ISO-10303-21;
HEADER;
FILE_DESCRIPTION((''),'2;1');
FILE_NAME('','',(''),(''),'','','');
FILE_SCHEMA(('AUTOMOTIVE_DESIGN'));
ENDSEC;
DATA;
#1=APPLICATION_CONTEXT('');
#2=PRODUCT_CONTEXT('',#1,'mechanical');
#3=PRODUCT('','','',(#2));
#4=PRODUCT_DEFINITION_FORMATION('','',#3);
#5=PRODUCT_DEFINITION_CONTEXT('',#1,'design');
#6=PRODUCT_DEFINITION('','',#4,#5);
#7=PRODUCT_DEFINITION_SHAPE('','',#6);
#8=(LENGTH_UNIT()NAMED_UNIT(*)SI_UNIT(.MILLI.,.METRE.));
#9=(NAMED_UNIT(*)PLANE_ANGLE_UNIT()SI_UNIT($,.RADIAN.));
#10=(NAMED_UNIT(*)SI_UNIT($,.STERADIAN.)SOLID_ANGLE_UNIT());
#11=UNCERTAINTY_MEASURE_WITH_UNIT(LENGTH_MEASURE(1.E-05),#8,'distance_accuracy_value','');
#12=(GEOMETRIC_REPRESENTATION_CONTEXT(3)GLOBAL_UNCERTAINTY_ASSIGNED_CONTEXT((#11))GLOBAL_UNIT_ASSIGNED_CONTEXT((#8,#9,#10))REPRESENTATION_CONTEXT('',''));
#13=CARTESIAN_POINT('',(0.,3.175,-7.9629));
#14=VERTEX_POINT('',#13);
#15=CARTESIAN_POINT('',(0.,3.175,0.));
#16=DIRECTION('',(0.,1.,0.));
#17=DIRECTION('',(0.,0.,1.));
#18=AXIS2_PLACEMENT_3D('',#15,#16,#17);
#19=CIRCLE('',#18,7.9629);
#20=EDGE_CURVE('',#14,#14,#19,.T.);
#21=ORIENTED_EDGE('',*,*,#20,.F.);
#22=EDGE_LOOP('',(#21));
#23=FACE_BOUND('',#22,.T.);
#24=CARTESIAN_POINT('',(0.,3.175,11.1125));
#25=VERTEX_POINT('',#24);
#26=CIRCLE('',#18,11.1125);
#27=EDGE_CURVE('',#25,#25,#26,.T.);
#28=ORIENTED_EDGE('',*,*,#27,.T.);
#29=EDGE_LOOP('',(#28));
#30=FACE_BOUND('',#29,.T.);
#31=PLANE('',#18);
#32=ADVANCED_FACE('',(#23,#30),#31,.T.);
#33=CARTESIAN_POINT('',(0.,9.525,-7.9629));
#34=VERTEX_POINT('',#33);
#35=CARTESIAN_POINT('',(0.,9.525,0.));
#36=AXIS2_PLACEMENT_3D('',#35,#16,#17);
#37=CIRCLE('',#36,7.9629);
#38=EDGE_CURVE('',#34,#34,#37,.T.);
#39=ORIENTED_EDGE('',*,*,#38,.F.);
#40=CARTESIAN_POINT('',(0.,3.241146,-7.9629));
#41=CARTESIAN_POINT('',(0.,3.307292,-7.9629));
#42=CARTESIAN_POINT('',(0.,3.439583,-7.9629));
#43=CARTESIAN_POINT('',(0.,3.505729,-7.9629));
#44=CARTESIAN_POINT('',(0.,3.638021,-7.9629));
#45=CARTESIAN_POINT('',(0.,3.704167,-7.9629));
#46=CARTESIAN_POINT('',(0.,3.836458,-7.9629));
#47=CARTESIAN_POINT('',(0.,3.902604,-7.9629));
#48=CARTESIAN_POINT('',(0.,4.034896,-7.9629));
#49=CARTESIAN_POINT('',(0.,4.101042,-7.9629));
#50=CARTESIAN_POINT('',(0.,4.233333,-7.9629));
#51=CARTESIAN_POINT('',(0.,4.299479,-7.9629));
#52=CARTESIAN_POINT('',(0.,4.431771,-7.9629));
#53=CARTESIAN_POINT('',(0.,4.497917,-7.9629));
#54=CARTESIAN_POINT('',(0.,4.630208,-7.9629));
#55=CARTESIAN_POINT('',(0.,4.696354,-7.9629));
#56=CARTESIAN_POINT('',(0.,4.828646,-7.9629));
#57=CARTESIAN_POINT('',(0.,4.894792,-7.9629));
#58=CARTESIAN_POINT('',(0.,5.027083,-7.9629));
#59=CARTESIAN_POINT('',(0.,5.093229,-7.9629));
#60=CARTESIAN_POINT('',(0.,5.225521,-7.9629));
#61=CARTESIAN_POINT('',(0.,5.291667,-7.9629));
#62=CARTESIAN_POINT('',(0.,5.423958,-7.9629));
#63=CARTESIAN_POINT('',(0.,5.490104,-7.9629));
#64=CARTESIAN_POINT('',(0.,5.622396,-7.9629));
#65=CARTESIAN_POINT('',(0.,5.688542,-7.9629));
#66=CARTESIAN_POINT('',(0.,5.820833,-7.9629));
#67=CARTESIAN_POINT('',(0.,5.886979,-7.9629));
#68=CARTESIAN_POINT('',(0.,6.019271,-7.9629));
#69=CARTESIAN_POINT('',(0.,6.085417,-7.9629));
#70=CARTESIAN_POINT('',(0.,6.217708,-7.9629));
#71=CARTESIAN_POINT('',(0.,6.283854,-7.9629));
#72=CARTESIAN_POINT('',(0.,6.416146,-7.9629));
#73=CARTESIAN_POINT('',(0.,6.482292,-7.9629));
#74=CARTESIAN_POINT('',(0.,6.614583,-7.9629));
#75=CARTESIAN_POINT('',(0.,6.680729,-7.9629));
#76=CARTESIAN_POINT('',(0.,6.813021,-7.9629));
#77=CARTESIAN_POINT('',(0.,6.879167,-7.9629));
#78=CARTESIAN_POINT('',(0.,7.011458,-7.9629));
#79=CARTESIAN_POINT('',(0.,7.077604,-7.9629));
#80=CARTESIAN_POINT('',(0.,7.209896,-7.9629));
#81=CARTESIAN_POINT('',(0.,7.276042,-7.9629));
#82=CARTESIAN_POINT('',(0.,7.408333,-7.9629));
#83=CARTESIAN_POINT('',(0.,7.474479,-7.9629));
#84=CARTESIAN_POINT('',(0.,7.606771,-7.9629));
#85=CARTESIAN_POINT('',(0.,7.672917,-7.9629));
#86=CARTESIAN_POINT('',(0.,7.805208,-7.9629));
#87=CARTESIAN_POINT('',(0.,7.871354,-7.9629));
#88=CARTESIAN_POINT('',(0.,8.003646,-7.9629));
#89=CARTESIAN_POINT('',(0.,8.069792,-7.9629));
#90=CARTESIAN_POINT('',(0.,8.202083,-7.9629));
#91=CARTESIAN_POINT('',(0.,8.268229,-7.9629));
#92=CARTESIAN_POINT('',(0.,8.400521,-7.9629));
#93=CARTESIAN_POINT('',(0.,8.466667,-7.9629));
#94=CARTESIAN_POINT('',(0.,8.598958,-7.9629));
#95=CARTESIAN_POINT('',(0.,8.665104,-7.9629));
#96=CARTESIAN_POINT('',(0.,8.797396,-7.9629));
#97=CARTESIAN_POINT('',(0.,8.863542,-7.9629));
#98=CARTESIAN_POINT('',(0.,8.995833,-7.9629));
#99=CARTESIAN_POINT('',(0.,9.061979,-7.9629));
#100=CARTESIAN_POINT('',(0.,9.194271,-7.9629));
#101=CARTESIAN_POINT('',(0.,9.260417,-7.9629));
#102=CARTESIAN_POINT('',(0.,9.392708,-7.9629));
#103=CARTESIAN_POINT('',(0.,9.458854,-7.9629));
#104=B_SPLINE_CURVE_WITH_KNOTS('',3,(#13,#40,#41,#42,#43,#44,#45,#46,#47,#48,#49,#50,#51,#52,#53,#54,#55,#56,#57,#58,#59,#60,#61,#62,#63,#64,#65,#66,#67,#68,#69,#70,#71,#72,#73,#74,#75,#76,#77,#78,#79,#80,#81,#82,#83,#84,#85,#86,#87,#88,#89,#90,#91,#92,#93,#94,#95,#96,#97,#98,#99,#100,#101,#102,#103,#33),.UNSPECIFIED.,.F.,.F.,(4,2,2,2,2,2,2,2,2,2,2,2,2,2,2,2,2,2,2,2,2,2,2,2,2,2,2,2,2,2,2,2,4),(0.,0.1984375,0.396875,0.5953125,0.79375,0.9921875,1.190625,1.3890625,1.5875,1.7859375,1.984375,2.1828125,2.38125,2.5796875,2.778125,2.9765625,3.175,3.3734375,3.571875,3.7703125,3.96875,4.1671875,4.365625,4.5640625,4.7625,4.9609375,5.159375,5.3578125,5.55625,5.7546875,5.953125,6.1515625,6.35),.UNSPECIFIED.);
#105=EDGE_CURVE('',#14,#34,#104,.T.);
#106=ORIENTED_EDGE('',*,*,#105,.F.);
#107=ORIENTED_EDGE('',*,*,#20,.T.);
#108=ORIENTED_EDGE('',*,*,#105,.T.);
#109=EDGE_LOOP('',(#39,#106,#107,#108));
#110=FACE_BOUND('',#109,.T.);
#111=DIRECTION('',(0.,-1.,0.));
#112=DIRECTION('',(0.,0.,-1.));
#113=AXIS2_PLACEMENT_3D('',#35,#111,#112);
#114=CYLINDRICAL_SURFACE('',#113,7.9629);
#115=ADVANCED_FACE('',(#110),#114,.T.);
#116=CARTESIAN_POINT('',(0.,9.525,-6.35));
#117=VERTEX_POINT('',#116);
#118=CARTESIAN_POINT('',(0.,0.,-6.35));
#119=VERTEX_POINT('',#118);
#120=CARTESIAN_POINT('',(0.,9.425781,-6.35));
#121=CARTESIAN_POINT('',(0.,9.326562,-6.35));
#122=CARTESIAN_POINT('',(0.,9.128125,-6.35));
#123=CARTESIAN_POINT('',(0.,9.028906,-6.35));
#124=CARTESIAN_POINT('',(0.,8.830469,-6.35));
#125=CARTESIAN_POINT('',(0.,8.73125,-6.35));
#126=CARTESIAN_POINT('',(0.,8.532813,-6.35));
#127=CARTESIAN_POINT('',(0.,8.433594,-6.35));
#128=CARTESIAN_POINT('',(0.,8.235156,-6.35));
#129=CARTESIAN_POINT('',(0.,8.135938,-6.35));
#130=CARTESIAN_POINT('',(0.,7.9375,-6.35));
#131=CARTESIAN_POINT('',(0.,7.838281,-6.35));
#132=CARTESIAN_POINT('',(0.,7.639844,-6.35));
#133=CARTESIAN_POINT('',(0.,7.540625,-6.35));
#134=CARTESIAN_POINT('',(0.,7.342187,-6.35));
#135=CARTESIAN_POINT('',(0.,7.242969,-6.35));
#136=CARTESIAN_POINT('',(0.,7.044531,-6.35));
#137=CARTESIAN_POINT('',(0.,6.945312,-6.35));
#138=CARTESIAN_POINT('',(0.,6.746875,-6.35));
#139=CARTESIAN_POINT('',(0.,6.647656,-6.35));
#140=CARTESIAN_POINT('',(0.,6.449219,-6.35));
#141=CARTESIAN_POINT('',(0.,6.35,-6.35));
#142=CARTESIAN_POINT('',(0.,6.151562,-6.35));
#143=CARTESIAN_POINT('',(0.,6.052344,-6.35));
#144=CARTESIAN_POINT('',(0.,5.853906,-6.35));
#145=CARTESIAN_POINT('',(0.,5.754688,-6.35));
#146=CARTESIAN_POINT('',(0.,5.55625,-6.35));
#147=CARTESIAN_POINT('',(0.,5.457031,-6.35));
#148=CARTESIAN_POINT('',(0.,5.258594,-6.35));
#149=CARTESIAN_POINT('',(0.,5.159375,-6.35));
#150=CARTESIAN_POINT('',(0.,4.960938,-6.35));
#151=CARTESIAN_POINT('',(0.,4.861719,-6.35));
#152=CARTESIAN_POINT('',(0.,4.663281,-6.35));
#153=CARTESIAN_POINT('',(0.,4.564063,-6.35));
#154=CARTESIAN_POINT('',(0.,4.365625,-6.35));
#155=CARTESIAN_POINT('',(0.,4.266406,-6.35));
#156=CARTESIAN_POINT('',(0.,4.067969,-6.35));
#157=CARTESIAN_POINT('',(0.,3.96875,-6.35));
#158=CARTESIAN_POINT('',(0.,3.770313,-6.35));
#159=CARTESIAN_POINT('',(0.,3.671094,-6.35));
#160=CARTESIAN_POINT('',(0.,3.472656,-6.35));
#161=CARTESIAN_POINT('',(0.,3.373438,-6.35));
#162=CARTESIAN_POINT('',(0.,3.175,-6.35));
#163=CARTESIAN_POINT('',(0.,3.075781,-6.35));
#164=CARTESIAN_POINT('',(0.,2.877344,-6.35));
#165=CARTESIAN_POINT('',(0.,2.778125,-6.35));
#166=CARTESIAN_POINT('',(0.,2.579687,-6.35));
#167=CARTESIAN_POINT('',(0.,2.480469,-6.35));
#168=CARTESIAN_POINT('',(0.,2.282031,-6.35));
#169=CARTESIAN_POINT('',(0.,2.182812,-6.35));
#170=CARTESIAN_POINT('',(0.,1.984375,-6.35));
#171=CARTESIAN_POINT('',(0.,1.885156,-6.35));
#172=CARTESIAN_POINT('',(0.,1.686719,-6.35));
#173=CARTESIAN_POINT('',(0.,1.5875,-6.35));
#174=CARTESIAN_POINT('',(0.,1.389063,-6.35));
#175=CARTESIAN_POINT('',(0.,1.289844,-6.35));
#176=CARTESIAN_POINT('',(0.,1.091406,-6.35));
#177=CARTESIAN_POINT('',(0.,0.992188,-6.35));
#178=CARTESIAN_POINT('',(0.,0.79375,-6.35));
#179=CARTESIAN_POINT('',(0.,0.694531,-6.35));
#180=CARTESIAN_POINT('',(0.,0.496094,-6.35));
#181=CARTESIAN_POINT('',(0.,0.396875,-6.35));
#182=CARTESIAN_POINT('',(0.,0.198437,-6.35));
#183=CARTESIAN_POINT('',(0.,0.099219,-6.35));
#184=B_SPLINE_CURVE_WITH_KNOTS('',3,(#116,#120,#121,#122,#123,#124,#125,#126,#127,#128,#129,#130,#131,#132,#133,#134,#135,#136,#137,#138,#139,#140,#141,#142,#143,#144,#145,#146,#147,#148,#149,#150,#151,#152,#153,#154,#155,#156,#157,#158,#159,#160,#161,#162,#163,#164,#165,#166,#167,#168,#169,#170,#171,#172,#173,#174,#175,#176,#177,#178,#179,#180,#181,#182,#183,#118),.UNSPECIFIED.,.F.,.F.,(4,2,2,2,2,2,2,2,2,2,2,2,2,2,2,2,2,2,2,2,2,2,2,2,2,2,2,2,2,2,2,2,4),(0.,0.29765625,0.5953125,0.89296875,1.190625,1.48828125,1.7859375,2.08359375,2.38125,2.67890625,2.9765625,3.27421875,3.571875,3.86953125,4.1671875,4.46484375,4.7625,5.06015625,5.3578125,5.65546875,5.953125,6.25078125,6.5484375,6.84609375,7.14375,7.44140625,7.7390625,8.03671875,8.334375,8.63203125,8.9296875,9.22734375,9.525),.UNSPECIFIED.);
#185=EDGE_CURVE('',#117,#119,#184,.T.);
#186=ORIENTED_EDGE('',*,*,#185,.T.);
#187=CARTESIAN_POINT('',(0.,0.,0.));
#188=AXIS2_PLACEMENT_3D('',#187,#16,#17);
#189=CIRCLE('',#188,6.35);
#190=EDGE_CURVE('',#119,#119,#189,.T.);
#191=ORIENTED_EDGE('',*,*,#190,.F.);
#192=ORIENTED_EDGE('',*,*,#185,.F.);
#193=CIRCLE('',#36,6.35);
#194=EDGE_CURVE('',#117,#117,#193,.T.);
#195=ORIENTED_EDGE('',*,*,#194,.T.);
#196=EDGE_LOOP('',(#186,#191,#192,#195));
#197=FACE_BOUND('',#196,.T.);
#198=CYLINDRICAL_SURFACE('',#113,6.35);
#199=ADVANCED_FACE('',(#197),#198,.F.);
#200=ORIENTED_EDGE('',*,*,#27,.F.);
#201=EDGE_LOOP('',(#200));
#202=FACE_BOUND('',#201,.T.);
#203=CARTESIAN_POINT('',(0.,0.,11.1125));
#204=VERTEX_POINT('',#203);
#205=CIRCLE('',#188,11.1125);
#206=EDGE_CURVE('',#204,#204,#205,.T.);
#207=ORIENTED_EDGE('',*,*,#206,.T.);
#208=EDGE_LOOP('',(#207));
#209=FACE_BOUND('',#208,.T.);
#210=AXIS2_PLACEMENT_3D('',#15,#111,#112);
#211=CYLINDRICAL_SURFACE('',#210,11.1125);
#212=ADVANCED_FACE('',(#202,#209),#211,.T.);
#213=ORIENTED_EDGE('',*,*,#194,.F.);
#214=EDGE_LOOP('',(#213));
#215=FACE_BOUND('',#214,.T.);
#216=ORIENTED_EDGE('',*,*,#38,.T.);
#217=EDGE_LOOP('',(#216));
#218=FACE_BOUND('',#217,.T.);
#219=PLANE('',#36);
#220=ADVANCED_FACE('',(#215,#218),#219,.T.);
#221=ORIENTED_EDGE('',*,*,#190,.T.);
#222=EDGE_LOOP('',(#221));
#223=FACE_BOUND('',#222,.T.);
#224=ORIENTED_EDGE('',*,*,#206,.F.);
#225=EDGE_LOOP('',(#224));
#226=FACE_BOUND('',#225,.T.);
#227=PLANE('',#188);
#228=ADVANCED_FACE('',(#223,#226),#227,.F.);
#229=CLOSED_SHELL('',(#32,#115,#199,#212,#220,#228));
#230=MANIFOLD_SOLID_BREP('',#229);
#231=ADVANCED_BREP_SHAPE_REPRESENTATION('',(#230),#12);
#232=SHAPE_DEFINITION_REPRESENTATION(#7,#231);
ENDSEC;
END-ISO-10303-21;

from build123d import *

# Parameters (mm, degrees)
SKETCH2_R           = 7.9629
SKETCH2_R_2         = 6.35
BOSS_EXTRUDE1_DEPTH = 9.525
SKETCH3_R           = 11.1125
SKETCH3_R_2         = 7.9629
BOSS_EXTRUDE2_DEPTH = 3.175


with BuildPart() as part:
    # Sketch2 → Boss-Extrude1 (new body)
    with BuildSketch(Plane(origin=(0, 0, 0), x_dir=(1, 0, 0), z_dir=(0, 1, 0))):
        with Locations(Location((0, 0, 0), (0, 0, 90))):
            Circle(SKETCH2_R)
        with Locations(Location((0, 0, 0), (0, 0, 90))):
            Circle(SKETCH2_R_2, mode=Mode.SUBTRACT)
    extrude(amount=BOSS_EXTRUDE1_DEPTH)

    # Sketch3 → Boss-Extrude2 (add)
    with BuildSketch(Plane(origin=(0, 0, 0), x_dir=(1, 0, 0), z_dir=(0, 1, 0))):
        with Locations(Location((0, 0, 0), (0, 0, 270))):
            Circle(SKETCH3_R)
        with Locations(Location((0, 0, 0), (0, 0, 90))):
            Circle(SKETCH3_R_2, mode=Mode.SUBTRACT)
    extrude(amount=BOSS_EXTRUDE2_DEPTH)


solid = part.part
